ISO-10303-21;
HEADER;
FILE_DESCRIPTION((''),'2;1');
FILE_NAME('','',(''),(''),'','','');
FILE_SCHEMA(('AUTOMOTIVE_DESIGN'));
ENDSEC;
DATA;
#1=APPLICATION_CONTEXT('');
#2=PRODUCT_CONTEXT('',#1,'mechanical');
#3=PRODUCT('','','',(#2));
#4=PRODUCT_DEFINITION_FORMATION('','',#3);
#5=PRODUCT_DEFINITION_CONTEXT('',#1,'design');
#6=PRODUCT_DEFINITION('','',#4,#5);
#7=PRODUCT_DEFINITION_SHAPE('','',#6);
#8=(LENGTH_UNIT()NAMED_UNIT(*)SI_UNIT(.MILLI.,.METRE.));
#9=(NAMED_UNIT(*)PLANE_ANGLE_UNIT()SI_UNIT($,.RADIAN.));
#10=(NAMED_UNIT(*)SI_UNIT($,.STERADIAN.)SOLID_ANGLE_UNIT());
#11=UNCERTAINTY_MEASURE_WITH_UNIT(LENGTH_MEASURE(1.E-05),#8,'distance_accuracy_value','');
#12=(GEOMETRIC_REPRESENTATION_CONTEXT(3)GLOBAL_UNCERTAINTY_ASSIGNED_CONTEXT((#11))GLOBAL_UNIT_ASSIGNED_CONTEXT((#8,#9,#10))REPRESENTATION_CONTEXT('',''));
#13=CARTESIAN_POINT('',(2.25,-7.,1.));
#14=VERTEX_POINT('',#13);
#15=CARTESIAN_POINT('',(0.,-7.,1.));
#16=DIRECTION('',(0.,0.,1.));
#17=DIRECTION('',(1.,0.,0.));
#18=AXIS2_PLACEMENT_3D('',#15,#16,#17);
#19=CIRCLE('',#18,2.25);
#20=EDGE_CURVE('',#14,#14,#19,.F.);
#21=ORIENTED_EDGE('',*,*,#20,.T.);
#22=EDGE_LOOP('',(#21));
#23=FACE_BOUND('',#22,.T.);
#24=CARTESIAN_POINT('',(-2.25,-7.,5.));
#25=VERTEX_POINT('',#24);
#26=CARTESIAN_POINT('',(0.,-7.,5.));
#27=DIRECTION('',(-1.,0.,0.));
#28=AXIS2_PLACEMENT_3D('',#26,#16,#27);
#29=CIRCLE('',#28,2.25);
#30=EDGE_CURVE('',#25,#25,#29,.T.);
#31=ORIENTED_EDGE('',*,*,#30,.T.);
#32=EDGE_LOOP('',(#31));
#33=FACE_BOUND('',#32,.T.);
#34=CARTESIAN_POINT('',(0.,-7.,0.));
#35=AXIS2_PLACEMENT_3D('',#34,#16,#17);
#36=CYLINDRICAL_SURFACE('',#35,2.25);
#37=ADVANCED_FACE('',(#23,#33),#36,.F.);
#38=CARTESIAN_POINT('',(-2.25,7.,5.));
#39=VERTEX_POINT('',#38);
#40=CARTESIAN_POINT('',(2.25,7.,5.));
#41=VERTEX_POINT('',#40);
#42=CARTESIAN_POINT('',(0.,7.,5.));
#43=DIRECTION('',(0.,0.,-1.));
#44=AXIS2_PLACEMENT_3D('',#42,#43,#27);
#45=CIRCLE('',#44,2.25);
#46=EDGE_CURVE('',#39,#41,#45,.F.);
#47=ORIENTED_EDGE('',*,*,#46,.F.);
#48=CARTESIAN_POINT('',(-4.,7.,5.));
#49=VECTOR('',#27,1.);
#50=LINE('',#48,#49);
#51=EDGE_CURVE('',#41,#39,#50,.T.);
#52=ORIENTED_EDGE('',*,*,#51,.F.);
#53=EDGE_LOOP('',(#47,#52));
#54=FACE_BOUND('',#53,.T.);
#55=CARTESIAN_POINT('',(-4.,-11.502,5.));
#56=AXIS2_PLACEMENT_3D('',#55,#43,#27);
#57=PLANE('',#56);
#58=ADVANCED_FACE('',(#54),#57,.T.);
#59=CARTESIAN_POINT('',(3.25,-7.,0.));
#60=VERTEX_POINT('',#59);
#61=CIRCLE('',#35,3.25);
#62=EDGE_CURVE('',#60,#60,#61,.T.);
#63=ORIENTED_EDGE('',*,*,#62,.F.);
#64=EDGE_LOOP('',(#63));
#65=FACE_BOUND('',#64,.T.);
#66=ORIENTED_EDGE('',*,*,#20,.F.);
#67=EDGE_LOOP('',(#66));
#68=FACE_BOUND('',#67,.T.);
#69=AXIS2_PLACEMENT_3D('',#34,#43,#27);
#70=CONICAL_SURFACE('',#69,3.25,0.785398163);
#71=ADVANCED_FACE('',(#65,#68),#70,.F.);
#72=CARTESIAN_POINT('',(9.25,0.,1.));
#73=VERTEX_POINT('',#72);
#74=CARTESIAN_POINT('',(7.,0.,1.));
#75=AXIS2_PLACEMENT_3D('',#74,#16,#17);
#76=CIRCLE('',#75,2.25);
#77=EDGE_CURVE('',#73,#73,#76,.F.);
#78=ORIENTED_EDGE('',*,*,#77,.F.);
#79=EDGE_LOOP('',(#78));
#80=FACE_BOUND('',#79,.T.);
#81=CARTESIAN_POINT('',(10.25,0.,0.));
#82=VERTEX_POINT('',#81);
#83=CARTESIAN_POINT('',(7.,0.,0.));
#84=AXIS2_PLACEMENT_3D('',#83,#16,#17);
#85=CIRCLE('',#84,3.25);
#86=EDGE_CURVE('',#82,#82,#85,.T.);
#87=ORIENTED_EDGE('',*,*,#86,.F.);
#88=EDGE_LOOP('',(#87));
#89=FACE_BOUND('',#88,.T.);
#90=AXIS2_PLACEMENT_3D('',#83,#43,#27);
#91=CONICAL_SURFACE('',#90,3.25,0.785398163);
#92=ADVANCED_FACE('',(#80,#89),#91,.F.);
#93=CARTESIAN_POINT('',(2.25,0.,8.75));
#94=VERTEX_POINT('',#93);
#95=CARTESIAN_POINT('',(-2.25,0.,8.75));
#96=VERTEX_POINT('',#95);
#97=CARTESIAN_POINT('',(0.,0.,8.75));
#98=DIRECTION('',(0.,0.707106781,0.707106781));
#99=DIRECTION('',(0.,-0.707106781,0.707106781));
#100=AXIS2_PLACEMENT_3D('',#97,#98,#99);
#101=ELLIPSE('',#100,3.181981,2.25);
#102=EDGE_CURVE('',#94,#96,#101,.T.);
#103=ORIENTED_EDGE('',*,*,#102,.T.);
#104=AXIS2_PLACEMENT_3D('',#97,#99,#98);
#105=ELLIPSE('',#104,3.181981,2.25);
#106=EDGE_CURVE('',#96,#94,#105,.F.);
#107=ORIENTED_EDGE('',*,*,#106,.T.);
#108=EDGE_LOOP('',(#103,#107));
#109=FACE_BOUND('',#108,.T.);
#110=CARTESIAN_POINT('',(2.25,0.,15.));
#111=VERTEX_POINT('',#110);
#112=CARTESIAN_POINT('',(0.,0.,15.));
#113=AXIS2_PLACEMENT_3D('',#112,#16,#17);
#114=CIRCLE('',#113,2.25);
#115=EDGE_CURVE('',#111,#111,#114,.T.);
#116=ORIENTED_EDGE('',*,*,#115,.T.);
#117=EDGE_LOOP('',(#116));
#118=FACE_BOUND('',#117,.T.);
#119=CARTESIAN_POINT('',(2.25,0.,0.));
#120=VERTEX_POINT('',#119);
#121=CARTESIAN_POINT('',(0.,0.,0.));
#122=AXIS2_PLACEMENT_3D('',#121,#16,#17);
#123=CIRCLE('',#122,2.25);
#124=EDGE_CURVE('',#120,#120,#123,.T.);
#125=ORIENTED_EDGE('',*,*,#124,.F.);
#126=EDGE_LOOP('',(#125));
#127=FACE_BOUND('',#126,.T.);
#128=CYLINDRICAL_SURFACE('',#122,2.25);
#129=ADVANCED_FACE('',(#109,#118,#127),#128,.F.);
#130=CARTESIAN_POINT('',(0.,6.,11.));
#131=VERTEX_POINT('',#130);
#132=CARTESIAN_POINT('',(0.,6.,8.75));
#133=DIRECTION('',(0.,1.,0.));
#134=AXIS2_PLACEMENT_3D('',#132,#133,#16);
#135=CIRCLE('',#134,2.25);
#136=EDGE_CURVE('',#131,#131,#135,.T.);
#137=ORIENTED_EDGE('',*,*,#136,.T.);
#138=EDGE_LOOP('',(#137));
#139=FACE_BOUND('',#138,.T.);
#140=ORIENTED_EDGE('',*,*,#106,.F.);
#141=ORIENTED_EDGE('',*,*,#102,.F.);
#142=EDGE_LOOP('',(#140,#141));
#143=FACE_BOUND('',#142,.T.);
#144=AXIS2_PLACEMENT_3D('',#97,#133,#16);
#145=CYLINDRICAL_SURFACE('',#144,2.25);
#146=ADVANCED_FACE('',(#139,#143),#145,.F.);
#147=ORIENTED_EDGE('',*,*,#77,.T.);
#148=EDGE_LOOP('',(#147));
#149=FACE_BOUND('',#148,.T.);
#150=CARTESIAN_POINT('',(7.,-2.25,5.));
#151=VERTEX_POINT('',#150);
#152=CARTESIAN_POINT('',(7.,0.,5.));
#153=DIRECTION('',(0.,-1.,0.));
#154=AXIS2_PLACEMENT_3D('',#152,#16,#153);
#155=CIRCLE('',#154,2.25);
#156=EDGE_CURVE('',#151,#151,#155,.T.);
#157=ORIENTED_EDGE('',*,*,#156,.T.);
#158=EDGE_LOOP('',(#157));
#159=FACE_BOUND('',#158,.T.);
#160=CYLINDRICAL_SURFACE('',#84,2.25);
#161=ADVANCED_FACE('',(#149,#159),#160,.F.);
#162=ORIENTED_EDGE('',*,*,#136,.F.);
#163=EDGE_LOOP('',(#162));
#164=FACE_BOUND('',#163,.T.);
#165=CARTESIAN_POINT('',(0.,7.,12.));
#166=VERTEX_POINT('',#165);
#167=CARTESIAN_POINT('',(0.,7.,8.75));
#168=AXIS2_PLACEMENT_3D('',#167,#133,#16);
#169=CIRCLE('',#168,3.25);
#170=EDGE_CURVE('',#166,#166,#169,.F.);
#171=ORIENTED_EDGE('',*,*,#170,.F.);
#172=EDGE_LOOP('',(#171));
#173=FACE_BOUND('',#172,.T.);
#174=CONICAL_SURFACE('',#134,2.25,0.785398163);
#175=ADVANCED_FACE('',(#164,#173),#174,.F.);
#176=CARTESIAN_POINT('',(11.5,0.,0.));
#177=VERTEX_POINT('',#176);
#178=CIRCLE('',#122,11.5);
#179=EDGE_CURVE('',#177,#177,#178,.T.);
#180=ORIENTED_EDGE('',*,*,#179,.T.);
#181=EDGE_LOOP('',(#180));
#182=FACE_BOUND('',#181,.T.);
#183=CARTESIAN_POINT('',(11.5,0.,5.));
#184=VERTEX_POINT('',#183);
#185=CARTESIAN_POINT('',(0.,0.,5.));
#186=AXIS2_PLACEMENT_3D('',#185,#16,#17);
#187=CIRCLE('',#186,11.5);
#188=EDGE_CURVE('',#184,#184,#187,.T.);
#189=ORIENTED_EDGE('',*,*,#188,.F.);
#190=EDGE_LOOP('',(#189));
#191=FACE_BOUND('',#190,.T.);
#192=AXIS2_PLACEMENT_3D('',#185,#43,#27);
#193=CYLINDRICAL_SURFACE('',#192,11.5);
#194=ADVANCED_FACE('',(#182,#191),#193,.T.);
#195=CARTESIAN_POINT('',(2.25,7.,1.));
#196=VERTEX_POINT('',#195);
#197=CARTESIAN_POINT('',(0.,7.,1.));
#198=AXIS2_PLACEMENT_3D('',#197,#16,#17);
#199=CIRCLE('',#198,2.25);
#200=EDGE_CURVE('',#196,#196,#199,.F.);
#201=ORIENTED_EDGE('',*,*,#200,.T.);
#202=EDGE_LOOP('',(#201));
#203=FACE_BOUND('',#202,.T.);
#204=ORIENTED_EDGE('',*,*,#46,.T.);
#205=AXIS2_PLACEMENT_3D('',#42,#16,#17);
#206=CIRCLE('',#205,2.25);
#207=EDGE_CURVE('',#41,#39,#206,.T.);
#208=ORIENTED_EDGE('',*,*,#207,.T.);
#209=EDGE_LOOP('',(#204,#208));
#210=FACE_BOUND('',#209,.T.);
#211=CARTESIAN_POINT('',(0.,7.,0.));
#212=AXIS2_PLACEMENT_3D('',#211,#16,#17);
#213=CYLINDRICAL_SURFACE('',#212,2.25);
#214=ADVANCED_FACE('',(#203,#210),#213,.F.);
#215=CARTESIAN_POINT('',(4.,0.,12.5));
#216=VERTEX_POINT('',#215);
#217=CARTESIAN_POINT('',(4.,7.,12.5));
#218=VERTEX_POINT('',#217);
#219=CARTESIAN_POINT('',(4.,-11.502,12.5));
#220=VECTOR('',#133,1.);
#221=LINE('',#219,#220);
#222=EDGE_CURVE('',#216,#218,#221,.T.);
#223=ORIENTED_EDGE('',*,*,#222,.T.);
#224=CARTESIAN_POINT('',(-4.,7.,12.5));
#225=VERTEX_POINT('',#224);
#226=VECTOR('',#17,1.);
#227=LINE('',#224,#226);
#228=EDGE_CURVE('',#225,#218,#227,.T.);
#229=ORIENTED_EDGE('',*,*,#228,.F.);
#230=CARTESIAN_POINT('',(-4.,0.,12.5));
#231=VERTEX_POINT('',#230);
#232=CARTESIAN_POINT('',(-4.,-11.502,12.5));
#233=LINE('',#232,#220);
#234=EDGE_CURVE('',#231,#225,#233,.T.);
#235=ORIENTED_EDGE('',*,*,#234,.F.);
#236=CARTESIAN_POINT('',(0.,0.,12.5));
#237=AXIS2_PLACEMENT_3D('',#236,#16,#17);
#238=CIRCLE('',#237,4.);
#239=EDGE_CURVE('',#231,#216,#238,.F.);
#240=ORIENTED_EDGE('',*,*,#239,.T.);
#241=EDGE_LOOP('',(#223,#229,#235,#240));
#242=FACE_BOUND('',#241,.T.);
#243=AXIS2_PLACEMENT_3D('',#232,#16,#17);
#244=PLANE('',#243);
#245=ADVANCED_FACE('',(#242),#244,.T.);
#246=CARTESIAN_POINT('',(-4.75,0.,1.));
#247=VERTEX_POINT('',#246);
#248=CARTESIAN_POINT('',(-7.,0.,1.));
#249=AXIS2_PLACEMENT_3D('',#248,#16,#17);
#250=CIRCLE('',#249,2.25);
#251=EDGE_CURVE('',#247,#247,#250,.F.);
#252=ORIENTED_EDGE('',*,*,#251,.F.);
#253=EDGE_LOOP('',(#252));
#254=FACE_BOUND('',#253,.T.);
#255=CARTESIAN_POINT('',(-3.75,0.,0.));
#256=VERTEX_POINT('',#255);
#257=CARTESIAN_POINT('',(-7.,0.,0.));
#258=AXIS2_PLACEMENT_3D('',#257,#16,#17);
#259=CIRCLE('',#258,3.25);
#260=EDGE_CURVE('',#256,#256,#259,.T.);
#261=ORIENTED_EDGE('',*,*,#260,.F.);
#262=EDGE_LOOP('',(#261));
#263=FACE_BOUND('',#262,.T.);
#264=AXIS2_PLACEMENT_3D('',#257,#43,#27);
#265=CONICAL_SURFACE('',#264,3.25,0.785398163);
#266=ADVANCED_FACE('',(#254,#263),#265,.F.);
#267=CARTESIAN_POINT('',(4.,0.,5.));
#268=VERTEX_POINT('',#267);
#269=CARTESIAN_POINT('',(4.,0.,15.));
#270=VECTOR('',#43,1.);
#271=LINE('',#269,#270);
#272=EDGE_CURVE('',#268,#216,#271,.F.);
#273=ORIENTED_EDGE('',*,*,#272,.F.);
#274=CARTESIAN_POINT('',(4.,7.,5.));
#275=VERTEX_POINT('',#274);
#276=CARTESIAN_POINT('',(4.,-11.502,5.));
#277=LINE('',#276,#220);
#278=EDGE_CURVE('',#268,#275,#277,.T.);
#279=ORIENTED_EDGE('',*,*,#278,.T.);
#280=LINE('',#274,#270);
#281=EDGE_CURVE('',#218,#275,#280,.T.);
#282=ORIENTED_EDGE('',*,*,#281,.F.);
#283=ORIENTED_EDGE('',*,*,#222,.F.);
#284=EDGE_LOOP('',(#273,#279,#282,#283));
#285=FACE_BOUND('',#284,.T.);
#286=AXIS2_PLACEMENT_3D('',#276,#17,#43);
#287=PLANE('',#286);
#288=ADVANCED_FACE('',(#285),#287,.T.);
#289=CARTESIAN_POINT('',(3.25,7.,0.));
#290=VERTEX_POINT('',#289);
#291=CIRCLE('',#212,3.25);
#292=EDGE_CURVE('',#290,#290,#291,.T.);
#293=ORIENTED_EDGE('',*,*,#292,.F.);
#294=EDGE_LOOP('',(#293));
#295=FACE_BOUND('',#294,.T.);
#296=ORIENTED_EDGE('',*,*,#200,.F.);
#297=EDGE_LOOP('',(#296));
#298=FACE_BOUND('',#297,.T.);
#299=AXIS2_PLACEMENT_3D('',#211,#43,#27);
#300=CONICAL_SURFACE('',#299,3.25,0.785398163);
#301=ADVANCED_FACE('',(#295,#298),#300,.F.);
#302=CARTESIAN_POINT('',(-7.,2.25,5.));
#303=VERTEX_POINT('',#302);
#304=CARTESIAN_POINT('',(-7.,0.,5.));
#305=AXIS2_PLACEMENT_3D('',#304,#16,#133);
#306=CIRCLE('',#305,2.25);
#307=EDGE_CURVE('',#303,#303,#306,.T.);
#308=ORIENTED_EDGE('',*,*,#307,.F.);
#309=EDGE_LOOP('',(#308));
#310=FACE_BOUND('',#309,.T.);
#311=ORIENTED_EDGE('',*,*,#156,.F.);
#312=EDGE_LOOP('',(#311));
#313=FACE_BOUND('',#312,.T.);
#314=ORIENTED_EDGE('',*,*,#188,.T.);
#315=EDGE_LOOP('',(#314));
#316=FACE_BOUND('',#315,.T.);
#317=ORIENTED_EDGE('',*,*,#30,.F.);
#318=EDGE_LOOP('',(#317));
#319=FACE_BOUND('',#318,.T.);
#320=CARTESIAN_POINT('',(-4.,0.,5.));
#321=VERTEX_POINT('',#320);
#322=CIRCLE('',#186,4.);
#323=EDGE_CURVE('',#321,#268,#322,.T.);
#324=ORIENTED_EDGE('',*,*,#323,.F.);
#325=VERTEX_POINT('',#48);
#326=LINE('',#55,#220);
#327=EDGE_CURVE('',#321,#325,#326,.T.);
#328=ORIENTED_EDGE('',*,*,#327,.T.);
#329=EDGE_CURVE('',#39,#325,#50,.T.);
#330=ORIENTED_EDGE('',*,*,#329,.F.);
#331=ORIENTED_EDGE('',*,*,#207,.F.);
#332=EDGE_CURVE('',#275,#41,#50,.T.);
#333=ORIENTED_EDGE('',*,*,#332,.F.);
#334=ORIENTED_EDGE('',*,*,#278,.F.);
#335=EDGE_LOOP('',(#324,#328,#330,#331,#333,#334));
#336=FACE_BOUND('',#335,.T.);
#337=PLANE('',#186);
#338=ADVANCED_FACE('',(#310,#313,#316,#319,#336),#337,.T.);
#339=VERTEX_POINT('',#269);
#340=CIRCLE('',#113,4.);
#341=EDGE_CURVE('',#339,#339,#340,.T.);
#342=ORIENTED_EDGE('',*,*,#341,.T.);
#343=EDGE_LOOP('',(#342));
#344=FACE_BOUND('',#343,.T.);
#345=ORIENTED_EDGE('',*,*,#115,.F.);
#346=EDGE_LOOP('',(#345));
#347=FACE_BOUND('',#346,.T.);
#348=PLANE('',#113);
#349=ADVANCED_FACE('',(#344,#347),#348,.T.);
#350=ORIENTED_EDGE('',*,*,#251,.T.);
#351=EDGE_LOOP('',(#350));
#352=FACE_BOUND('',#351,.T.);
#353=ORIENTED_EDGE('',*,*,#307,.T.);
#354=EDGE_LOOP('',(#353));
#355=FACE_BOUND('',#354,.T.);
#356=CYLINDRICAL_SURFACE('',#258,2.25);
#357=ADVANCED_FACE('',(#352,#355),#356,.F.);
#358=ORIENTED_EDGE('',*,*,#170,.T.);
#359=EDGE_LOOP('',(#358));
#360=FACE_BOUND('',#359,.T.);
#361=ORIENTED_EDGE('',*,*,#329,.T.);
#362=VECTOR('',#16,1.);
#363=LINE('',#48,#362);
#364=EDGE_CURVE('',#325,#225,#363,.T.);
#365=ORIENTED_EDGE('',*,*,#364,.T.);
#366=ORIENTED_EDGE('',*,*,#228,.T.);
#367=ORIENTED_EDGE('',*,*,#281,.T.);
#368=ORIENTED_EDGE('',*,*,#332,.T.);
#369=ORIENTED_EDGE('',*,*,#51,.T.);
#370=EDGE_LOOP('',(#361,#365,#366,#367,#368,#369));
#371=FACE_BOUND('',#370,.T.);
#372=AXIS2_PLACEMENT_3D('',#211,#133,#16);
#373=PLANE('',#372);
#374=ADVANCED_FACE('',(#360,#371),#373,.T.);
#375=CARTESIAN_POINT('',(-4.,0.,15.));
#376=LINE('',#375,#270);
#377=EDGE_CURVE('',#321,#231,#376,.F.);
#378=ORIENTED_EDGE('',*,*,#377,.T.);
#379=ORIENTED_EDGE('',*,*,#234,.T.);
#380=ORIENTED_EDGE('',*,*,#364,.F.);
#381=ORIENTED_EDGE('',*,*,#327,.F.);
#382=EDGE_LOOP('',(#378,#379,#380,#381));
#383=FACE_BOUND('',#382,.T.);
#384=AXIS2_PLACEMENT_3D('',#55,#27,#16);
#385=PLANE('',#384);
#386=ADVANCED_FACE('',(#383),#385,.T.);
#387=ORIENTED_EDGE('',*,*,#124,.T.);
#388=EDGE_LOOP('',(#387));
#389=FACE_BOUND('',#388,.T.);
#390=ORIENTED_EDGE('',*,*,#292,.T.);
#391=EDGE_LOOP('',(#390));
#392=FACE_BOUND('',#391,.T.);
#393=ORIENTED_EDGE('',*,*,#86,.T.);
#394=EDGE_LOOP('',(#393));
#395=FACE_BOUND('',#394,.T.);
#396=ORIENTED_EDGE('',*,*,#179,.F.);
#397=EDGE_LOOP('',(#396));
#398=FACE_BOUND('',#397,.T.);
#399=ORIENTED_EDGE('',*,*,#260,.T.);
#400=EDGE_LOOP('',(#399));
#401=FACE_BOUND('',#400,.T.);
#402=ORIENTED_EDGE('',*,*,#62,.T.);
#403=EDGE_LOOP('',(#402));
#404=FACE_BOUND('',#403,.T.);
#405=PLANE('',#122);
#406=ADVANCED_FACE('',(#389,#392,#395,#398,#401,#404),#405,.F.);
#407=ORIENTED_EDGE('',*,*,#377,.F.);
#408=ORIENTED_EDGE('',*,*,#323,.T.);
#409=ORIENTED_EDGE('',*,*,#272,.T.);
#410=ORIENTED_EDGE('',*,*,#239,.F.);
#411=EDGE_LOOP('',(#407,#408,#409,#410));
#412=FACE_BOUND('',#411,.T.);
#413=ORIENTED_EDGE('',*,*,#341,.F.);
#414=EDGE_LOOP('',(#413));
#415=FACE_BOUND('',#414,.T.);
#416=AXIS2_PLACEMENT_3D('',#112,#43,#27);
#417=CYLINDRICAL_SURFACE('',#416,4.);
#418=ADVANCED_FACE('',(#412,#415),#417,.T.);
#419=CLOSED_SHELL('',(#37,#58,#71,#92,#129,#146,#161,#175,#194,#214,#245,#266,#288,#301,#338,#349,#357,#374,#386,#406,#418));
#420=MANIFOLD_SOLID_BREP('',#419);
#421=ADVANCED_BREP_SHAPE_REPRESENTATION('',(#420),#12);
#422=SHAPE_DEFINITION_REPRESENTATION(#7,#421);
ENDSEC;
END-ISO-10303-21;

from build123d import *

# Parameters (mm, degrees)
SKETCH1_R                = 11.5
BOSS_EXTRUDE1_DEPTH      = 5
SKETCH2_R                = 2.25
CUT_EXTRUDE1_DEPTH       = 18.014699527
CIRPATTERN1_COUNT        = 4
SKETCH3_R                = 4
BOSS_EXTRUDE2_DEPTH      = 10
SKETCH4_R                = 2.25
CUT_EXTRUDE2_DEPTH       = 23.12464689
BOSS_EXTRUDE3_REACH      = 28.448
BOSS_EXTRUDE3_END_RADIUS = 4
SKETCH5_W                = 8
SKETCH5_H                = 7.5
SKETCH6_R                = 2.25
CUT_EXTRUDE3_DEPTH       = 7
CHAMFER1_SIZE            = 1
CHAMFER2_SIZE            = 1


with BuildPart() as part:
    # Sketch1 → Boss-Extrude1 (new body)
    with BuildSketch(Plane.XY):
        Circle(SKETCH1_R)
    extrude(amount=BOSS_EXTRUDE1_DEPTH)

    # Sketch2 → Cut-Extrude1 (cut, through all)
    with BuildSketch(Plane.XY.offset(5)):
        with Locations((0, 7)):
            Circle(SKETCH2_R)
    cut_extrude1 = extrude(amount=-CUT_EXTRUDE1_DEPTH, mode=Mode.SUBTRACT)

    # CirPattern1: Cut-Extrude1 ×4 about axis
    cirpattern1_axis = Axis((0, 0, 0), (0, 0, 1))
    for i in range(1, CIRPATTERN1_COUNT):
        add(cut_extrude1.rotate(cirpattern1_axis, i * 360 / CIRPATTERN1_COUNT), mode=Mode.SUBTRACT)

    # Sketch3 → Boss-Extrude2 (add)
    with BuildSketch(Plane.XY.offset(5)):
        Circle(SKETCH3_R)
    extrude(amount=BOSS_EXTRUDE2_DEPTH)

    # Sketch4 → Cut-Extrude2 (cut, through all)
    with BuildSketch(Plane.XY.offset(15)):
        Circle(SKETCH4_R)
    extrude(amount=-CUT_EXTRUDE2_DEPTH, mode=Mode.SUBTRACT)

    # Boss-Extrude3: up to this cylinder (the profile starts outside it)
    boss_extrude3_end = Plane(origin=(0, 0, 8.75), z_dir=(0, 0, -1)) * Cylinder(BOSS_EXTRUDE3_END_RADIUS, 65.896, mode=Mode.PRIVATE)
    # Sketch5 → Boss-Extrude3 (add, up to the surface)
    with BuildSketch(Plane(origin=(0, 7, 0), x_dir=(1, 0, 0), z_dir=(0, 1, 0)), mode=Mode.PRIVATE) as boss_extrude3_sk1:
        with Locations((0, -8.75)):
            Rectangle(SKETCH5_W, SKETCH5_H)
    boss_extrude3_tool1 = extrude(boss_extrude3_sk1.sketch, amount=-BOSS_EXTRUDE3_REACH, mode=Mode.PRIVATE) - boss_extrude3_end
    add(boss_extrude3_tool1.solids().sort_by_distance((0, 7, 8.75))[0])

    # Sketch6 → Cut-Extrude3 (cut)
    with BuildSketch(Plane(origin=(0, 7, 0), x_dir=(1, 0, 0), z_dir=(0, 1, 0))):
        with Locations(Location((0, -8.75, 0), (0, 0, 270))):
            Circle(SKETCH6_R)
    extrude(amount=-CUT_EXTRUDE3_DEPTH, mode=Mode.SUBTRACT)

    # Chamfer1
    chamfer1_edges = [part.edges().sort_by_distance(p)[0] for p in [
        (0, 7, 6.5),
    ]]
    chamfer(chamfer1_edges, length=CHAMFER1_SIZE)

    # Chamfer2
    chamfer2_edges = [part.edges().sort_by_distance(p)[0] for p in [
        (-7, -2.25, 0),
        (2.25, -7, 0),
        (7, 2.25, 0),
        (-2.25, 7, 0),
    ]]
    chamfer(chamfer2_edges, length=CHAMFER2_SIZE)


solid = part.part
